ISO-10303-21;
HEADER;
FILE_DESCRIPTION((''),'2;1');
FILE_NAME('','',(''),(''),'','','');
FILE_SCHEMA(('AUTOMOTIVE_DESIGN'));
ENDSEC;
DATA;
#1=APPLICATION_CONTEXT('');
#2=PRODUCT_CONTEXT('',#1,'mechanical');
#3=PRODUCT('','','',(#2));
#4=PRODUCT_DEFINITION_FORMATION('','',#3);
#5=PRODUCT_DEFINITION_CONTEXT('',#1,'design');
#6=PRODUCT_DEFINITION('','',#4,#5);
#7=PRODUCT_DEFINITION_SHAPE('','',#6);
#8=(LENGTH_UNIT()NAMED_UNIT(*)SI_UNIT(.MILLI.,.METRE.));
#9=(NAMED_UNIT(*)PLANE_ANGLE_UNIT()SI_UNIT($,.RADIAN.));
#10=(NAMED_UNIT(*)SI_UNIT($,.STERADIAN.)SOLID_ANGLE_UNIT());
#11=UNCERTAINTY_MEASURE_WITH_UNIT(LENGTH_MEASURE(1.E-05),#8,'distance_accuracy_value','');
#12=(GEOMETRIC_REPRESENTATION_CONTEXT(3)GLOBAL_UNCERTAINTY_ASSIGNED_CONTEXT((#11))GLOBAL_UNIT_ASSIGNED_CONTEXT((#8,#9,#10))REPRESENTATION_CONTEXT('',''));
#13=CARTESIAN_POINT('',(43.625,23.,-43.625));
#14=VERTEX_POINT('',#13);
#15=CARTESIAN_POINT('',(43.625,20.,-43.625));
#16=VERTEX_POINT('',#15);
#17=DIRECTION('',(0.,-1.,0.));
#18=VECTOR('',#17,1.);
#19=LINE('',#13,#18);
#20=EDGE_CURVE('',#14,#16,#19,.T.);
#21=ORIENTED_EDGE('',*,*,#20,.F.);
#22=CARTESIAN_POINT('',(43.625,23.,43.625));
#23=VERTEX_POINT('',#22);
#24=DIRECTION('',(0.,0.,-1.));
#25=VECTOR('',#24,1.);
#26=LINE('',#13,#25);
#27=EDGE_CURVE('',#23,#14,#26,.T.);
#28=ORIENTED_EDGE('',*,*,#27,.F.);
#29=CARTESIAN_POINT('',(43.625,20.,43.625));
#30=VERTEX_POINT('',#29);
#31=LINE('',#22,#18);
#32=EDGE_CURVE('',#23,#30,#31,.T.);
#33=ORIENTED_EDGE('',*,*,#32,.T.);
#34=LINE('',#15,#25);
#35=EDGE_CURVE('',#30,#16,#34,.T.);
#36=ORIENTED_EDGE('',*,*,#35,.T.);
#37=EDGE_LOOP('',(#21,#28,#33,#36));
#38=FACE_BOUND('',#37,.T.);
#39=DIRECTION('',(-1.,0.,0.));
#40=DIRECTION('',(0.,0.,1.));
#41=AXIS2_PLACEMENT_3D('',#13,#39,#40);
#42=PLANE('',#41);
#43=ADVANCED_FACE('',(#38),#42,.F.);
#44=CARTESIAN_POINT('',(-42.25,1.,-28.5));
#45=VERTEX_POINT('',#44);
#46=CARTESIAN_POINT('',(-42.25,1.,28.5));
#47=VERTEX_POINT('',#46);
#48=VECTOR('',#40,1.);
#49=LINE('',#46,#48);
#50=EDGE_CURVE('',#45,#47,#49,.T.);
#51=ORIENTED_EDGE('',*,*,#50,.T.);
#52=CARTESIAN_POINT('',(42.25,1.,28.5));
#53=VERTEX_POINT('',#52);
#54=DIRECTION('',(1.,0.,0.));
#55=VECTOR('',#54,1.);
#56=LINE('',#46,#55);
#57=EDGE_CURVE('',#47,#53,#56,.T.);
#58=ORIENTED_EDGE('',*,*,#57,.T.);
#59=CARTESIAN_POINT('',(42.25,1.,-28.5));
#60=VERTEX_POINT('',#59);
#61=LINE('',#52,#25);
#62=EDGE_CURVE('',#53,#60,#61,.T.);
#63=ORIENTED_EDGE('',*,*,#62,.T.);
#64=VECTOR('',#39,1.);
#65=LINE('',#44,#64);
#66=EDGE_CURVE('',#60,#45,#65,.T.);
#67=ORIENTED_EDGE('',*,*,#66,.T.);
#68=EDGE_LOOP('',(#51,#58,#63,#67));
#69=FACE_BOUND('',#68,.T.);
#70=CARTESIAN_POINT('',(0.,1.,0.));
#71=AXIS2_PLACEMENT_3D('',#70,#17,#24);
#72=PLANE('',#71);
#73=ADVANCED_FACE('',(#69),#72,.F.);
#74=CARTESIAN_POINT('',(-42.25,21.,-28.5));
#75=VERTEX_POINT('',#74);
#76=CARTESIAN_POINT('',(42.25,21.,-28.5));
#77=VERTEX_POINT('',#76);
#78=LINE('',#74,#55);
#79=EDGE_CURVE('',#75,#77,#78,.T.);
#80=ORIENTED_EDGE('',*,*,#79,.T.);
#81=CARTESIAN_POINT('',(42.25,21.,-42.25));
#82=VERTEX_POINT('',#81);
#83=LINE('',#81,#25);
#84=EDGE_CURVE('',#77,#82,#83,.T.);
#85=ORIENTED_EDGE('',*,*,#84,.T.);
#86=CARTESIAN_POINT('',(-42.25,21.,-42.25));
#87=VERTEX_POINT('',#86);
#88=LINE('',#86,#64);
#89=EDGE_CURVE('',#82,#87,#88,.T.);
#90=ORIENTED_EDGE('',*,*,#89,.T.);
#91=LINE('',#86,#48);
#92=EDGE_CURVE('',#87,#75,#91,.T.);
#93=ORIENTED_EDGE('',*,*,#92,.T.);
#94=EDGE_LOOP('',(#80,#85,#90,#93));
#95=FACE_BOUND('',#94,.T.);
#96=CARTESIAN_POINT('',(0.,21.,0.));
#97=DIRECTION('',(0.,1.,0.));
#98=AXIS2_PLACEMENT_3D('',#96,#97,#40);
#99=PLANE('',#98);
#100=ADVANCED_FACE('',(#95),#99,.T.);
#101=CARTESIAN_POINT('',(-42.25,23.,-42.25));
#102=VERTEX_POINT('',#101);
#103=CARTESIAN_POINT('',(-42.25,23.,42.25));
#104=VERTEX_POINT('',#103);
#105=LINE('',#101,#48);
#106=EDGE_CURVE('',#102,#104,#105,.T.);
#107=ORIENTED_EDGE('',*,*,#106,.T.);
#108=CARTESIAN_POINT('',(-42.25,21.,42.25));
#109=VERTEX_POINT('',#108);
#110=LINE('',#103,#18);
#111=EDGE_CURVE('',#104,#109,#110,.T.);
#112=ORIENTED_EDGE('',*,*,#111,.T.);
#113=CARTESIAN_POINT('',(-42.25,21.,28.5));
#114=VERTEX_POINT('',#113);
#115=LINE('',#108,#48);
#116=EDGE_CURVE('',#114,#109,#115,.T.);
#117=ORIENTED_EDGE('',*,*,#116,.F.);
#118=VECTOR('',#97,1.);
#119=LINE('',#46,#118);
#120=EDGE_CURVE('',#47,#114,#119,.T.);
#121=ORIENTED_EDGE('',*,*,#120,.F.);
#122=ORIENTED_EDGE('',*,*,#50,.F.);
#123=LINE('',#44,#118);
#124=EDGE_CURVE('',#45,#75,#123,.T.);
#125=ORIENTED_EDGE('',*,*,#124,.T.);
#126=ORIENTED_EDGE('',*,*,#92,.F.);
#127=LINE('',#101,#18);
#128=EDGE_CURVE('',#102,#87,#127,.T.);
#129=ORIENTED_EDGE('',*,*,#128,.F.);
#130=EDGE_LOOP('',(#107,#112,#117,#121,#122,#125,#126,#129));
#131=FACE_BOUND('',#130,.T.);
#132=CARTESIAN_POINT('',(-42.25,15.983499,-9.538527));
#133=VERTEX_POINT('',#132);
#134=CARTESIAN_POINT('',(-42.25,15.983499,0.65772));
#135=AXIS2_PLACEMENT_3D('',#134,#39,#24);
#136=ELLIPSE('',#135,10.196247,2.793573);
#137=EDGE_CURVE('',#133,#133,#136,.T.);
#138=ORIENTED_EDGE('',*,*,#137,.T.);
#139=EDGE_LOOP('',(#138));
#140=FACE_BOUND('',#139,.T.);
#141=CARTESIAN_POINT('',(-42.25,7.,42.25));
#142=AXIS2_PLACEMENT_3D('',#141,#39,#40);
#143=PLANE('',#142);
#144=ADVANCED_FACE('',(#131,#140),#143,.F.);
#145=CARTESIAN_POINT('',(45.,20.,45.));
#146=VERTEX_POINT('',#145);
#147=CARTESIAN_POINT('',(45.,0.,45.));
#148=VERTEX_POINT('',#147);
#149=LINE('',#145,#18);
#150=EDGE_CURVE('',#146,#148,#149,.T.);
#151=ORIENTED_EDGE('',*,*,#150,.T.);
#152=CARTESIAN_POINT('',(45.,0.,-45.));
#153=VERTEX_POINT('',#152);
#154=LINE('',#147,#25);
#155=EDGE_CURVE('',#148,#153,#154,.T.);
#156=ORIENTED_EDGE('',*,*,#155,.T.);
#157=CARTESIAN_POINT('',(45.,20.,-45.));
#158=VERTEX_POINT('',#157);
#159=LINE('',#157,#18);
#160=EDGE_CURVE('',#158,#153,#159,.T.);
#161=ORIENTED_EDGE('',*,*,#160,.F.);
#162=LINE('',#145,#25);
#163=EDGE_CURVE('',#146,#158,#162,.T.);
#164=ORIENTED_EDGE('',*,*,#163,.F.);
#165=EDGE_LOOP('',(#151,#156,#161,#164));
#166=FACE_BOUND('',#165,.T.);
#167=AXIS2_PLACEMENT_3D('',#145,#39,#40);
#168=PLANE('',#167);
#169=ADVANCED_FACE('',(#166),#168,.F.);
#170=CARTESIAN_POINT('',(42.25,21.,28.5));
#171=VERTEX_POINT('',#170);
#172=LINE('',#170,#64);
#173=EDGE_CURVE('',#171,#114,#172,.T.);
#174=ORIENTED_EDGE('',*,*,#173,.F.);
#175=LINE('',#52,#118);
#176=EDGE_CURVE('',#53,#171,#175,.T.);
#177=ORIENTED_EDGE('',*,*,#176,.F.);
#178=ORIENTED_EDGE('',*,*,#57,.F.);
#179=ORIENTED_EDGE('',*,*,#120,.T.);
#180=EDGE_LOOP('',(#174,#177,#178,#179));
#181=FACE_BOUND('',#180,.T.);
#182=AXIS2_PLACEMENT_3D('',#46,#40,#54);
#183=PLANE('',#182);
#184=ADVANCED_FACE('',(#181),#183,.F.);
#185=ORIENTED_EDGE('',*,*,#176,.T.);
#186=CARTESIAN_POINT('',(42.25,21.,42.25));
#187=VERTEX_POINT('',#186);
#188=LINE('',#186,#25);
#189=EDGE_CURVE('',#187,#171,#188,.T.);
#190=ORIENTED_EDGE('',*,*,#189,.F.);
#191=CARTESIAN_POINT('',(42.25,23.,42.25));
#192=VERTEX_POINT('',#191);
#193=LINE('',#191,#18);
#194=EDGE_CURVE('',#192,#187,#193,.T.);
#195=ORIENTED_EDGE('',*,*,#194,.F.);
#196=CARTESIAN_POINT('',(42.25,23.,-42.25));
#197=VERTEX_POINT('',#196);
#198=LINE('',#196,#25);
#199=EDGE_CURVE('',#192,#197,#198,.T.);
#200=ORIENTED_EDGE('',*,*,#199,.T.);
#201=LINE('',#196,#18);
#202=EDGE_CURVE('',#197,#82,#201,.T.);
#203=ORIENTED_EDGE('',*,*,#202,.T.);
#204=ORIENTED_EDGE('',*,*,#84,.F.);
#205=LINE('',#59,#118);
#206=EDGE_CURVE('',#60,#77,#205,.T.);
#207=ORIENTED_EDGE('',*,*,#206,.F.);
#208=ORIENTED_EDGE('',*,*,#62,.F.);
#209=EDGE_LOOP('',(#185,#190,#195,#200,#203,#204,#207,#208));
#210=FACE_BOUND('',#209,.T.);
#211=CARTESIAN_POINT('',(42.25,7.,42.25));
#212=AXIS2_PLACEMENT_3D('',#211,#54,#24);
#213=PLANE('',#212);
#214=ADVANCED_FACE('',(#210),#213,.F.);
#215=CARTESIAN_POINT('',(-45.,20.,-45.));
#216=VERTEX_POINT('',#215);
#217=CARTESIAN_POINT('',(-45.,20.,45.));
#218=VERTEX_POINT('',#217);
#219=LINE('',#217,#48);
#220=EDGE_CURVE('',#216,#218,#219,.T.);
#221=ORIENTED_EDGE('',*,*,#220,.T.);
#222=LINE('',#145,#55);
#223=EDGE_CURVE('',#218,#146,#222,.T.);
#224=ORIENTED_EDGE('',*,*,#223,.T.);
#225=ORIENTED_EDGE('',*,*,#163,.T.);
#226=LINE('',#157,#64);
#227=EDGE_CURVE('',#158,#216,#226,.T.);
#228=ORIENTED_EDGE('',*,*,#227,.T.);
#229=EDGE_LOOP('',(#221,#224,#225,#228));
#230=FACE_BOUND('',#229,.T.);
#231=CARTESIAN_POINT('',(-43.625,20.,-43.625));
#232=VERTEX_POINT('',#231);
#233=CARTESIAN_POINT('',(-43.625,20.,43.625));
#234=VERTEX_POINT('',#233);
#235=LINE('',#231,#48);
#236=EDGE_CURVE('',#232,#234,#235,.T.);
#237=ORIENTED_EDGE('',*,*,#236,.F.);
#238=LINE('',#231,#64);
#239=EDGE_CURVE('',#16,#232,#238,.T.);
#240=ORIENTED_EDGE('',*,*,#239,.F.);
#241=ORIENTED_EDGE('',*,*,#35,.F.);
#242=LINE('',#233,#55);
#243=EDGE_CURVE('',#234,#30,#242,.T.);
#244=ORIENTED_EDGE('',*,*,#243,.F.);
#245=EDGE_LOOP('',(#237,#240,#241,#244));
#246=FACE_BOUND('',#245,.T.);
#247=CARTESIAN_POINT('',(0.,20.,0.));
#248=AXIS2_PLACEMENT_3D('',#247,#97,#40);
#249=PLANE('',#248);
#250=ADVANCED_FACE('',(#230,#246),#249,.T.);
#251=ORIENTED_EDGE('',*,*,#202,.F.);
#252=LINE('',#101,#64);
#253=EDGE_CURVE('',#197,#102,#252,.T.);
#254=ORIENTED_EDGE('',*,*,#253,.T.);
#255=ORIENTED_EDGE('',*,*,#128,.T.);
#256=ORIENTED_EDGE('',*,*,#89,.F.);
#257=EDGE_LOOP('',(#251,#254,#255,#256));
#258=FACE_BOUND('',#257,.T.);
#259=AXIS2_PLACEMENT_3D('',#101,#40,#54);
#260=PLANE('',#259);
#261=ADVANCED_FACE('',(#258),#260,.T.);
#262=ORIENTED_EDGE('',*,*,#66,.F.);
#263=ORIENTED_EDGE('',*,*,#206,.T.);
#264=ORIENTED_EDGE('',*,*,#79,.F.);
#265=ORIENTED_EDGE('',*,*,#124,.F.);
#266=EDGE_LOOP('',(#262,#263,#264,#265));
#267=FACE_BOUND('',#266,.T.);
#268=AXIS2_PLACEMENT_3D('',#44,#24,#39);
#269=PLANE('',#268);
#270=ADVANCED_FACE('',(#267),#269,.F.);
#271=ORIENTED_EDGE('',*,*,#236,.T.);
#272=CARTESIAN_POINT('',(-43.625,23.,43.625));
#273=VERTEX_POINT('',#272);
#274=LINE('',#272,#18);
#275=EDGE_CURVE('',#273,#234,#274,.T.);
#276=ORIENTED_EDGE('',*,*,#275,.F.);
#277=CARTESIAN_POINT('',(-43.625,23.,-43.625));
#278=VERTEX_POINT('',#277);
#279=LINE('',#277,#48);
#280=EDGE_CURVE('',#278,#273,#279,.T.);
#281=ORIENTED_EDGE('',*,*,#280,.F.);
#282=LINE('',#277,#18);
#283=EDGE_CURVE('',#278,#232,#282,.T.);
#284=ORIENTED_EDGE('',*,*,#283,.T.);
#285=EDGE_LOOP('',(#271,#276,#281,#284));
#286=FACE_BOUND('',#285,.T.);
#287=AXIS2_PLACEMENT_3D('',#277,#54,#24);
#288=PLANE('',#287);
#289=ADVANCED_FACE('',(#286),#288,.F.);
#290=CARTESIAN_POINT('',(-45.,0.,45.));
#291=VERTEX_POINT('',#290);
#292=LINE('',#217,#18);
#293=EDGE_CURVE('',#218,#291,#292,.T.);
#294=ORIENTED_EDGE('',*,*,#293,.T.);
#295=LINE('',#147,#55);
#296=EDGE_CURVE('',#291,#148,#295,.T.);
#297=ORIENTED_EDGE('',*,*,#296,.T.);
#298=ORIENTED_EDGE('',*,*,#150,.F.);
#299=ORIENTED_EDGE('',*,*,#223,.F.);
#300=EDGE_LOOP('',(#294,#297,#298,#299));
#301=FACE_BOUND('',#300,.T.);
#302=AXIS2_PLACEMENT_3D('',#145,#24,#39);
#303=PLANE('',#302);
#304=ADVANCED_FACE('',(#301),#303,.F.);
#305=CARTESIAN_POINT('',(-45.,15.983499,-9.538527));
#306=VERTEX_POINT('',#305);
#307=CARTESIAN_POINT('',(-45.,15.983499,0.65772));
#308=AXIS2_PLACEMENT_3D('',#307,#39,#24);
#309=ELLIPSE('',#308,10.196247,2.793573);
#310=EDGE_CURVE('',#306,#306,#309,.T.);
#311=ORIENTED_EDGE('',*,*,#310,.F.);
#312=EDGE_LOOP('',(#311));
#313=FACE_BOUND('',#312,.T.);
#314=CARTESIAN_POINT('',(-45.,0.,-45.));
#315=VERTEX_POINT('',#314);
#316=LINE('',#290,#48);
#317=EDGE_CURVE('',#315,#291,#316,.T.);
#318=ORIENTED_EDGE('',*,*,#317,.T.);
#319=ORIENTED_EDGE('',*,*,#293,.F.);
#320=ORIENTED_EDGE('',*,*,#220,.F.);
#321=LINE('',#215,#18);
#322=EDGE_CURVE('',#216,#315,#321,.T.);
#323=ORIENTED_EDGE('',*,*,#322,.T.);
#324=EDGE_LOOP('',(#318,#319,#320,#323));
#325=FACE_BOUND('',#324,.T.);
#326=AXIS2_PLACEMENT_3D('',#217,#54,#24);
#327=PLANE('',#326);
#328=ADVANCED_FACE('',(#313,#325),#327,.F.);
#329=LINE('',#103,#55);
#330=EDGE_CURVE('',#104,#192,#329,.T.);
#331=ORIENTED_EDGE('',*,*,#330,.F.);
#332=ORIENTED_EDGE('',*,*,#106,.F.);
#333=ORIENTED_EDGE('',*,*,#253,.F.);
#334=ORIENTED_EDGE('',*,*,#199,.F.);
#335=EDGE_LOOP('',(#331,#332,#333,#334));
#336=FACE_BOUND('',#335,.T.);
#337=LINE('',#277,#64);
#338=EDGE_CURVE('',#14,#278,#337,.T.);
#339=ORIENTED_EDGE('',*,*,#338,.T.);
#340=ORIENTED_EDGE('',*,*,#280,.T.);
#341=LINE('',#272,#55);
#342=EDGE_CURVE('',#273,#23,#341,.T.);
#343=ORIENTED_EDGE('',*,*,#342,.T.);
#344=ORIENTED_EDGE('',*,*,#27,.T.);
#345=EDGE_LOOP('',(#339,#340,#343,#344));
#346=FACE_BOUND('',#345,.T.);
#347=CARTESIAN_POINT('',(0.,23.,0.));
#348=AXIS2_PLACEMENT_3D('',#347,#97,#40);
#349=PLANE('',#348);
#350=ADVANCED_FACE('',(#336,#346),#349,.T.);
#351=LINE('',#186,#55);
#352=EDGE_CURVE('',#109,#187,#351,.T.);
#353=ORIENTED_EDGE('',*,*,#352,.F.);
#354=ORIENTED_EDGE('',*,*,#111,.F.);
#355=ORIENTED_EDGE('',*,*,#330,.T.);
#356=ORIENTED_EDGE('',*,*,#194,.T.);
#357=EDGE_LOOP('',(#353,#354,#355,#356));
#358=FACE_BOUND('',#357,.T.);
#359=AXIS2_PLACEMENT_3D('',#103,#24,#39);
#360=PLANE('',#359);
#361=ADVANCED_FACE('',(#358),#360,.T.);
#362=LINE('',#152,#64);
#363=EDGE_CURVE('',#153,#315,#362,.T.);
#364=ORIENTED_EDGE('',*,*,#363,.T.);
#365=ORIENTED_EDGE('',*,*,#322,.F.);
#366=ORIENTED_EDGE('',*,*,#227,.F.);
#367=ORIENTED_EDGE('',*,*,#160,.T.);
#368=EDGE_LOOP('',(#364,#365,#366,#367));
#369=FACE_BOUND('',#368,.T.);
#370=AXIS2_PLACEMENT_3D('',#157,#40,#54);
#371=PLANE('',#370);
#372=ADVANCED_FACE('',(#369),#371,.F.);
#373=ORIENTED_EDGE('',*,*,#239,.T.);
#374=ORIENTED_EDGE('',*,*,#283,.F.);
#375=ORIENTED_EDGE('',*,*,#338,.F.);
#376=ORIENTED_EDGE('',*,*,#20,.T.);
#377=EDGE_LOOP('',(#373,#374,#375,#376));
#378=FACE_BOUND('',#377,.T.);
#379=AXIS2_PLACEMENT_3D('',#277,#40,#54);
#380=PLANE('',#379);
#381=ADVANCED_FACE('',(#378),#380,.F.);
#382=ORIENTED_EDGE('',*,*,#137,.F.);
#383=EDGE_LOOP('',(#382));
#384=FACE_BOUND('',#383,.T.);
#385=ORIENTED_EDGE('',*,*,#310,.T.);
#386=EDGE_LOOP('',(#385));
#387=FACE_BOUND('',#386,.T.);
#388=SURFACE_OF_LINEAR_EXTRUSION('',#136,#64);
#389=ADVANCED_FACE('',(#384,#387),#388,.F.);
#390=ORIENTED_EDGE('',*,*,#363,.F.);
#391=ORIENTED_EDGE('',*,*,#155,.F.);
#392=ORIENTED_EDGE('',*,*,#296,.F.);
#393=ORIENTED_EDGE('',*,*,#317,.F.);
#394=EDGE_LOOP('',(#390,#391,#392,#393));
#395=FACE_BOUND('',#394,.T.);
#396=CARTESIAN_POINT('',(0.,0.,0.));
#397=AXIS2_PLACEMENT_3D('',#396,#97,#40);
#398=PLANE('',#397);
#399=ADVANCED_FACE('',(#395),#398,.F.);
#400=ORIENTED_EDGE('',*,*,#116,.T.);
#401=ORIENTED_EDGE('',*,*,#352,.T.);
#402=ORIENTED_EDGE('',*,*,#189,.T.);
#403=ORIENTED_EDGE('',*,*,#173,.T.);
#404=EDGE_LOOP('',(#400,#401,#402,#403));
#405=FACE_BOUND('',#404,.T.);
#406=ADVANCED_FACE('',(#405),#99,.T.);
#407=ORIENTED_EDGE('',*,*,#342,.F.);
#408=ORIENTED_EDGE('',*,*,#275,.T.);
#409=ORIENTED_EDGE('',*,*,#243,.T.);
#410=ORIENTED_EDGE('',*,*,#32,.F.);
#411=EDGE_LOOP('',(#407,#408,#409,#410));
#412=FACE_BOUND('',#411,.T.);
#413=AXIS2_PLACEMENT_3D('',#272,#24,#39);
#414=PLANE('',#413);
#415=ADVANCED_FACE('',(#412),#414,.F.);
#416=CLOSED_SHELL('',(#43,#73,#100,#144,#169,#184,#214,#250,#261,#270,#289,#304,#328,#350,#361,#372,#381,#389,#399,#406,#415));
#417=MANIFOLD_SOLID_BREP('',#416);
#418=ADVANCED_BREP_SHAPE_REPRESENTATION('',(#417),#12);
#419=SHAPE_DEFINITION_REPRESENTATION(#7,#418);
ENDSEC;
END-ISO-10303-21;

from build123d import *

# Parameters (mm, degrees)
SKETCH2_W           = 90
SKETCH2_H           = 90
BOSS_EXTRUDE1_DEPTH = 20
SKETCH5_W           = 84.5
SKETCH5_H           = 84.5
CUT_EXTRUDE2_DEPTH  = 13
SKETCH13_W          = 84.5
SKETCH13_H          = 57
CUT_EXTRUDE5_DEPTH  = 6
SKETCH17_RX         = 10.196247106
SKETCH17_RY         = 2.793572888
CUT_EXTRUDE6_DEPTH  = 2.75
SKETCH25_W          = 84.5
SKETCH25_H          = 13.75
BOSS_EXTRUDE6_DEPTH = 14
SKETCH27_W          = 87.25
SKETCH27_H          = 87.25
SKETCH27_W_2        = 84.5
SKETCH27_H_2        = 84.5
BOSS_EXTRUDE8_DEPTH = 3


with BuildPart() as part:
    # Sketch2 → Boss-Extrude1 (new body)
    with BuildSketch(Plane(origin=(0, 0, 0), x_dir=(1, 0, 0), z_dir=(0, 1, 0))):
        Rectangle(SKETCH2_W, SKETCH2_H)
    extrude(amount=BOSS_EXTRUDE1_DEPTH)

    # Sketch5 → Cut-Extrude2 (cut)
    with BuildSketch(Plane(origin=(0, 20, 0), x_dir=(1, 0, 0), z_dir=(0, 1, 0))):
        Rectangle(SKETCH5_W, SKETCH5_H)
    extrude(amount=-CUT_EXTRUDE2_DEPTH, mode=Mode.SUBTRACT)

    # Sketch13 → Cut-Extrude5 (cut)
    with BuildSketch(Plane(origin=(0, 7, 0), x_dir=(1, 0, 0), z_dir=(0, 1, 0))):
        Rectangle(SKETCH13_W, SKETCH13_H)
    extrude(amount=-CUT_EXTRUDE5_DEPTH, mode=Mode.SUBTRACT)

    # Sketch17 → Cut-Extrude6 (cut)
    with BuildSketch(Plane(origin=(-45, -8.202038474, 0), x_dir=(0, 0, 1), z_dir=(-1, 0, 0))):
        with Locations(Location((0.657720021, 24.185537931), (0, 0, 180))):
            Ellipse(SKETCH17_RX, SKETCH17_RY)
    extrude(amount=-CUT_EXTRUDE6_DEPTH, mode=Mode.SUBTRACT)

    # Sketch25 → Boss-Extrude6 (add)
    with BuildSketch(Plane(origin=(0, 7, 0), x_dir=(1, 0, 0), z_dir=(0, 1, 0))):
        with Locations((0, 35.375)):
            Rectangle(SKETCH25_W, SKETCH25_H)
        with Locations((0, -35.375)):
            Rectangle(SKETCH25_W, SKETCH25_H)
    extrude(amount=BOSS_EXTRUDE6_DEPTH)

    # Sketch27 → Boss-Extrude8 (add)
    with BuildSketch(Plane(origin=(0, 20, 0), x_dir=(1, 0, 0), z_dir=(0, 1, 0))):
        Rectangle(SKETCH27_W, SKETCH27_H)
        Rectangle(SKETCH27_W_2, SKETCH27_H_2, mode=Mode.SUBTRACT)
    extrude(amount=BOSS_EXTRUDE8_DEPTH)


solid = part.part
